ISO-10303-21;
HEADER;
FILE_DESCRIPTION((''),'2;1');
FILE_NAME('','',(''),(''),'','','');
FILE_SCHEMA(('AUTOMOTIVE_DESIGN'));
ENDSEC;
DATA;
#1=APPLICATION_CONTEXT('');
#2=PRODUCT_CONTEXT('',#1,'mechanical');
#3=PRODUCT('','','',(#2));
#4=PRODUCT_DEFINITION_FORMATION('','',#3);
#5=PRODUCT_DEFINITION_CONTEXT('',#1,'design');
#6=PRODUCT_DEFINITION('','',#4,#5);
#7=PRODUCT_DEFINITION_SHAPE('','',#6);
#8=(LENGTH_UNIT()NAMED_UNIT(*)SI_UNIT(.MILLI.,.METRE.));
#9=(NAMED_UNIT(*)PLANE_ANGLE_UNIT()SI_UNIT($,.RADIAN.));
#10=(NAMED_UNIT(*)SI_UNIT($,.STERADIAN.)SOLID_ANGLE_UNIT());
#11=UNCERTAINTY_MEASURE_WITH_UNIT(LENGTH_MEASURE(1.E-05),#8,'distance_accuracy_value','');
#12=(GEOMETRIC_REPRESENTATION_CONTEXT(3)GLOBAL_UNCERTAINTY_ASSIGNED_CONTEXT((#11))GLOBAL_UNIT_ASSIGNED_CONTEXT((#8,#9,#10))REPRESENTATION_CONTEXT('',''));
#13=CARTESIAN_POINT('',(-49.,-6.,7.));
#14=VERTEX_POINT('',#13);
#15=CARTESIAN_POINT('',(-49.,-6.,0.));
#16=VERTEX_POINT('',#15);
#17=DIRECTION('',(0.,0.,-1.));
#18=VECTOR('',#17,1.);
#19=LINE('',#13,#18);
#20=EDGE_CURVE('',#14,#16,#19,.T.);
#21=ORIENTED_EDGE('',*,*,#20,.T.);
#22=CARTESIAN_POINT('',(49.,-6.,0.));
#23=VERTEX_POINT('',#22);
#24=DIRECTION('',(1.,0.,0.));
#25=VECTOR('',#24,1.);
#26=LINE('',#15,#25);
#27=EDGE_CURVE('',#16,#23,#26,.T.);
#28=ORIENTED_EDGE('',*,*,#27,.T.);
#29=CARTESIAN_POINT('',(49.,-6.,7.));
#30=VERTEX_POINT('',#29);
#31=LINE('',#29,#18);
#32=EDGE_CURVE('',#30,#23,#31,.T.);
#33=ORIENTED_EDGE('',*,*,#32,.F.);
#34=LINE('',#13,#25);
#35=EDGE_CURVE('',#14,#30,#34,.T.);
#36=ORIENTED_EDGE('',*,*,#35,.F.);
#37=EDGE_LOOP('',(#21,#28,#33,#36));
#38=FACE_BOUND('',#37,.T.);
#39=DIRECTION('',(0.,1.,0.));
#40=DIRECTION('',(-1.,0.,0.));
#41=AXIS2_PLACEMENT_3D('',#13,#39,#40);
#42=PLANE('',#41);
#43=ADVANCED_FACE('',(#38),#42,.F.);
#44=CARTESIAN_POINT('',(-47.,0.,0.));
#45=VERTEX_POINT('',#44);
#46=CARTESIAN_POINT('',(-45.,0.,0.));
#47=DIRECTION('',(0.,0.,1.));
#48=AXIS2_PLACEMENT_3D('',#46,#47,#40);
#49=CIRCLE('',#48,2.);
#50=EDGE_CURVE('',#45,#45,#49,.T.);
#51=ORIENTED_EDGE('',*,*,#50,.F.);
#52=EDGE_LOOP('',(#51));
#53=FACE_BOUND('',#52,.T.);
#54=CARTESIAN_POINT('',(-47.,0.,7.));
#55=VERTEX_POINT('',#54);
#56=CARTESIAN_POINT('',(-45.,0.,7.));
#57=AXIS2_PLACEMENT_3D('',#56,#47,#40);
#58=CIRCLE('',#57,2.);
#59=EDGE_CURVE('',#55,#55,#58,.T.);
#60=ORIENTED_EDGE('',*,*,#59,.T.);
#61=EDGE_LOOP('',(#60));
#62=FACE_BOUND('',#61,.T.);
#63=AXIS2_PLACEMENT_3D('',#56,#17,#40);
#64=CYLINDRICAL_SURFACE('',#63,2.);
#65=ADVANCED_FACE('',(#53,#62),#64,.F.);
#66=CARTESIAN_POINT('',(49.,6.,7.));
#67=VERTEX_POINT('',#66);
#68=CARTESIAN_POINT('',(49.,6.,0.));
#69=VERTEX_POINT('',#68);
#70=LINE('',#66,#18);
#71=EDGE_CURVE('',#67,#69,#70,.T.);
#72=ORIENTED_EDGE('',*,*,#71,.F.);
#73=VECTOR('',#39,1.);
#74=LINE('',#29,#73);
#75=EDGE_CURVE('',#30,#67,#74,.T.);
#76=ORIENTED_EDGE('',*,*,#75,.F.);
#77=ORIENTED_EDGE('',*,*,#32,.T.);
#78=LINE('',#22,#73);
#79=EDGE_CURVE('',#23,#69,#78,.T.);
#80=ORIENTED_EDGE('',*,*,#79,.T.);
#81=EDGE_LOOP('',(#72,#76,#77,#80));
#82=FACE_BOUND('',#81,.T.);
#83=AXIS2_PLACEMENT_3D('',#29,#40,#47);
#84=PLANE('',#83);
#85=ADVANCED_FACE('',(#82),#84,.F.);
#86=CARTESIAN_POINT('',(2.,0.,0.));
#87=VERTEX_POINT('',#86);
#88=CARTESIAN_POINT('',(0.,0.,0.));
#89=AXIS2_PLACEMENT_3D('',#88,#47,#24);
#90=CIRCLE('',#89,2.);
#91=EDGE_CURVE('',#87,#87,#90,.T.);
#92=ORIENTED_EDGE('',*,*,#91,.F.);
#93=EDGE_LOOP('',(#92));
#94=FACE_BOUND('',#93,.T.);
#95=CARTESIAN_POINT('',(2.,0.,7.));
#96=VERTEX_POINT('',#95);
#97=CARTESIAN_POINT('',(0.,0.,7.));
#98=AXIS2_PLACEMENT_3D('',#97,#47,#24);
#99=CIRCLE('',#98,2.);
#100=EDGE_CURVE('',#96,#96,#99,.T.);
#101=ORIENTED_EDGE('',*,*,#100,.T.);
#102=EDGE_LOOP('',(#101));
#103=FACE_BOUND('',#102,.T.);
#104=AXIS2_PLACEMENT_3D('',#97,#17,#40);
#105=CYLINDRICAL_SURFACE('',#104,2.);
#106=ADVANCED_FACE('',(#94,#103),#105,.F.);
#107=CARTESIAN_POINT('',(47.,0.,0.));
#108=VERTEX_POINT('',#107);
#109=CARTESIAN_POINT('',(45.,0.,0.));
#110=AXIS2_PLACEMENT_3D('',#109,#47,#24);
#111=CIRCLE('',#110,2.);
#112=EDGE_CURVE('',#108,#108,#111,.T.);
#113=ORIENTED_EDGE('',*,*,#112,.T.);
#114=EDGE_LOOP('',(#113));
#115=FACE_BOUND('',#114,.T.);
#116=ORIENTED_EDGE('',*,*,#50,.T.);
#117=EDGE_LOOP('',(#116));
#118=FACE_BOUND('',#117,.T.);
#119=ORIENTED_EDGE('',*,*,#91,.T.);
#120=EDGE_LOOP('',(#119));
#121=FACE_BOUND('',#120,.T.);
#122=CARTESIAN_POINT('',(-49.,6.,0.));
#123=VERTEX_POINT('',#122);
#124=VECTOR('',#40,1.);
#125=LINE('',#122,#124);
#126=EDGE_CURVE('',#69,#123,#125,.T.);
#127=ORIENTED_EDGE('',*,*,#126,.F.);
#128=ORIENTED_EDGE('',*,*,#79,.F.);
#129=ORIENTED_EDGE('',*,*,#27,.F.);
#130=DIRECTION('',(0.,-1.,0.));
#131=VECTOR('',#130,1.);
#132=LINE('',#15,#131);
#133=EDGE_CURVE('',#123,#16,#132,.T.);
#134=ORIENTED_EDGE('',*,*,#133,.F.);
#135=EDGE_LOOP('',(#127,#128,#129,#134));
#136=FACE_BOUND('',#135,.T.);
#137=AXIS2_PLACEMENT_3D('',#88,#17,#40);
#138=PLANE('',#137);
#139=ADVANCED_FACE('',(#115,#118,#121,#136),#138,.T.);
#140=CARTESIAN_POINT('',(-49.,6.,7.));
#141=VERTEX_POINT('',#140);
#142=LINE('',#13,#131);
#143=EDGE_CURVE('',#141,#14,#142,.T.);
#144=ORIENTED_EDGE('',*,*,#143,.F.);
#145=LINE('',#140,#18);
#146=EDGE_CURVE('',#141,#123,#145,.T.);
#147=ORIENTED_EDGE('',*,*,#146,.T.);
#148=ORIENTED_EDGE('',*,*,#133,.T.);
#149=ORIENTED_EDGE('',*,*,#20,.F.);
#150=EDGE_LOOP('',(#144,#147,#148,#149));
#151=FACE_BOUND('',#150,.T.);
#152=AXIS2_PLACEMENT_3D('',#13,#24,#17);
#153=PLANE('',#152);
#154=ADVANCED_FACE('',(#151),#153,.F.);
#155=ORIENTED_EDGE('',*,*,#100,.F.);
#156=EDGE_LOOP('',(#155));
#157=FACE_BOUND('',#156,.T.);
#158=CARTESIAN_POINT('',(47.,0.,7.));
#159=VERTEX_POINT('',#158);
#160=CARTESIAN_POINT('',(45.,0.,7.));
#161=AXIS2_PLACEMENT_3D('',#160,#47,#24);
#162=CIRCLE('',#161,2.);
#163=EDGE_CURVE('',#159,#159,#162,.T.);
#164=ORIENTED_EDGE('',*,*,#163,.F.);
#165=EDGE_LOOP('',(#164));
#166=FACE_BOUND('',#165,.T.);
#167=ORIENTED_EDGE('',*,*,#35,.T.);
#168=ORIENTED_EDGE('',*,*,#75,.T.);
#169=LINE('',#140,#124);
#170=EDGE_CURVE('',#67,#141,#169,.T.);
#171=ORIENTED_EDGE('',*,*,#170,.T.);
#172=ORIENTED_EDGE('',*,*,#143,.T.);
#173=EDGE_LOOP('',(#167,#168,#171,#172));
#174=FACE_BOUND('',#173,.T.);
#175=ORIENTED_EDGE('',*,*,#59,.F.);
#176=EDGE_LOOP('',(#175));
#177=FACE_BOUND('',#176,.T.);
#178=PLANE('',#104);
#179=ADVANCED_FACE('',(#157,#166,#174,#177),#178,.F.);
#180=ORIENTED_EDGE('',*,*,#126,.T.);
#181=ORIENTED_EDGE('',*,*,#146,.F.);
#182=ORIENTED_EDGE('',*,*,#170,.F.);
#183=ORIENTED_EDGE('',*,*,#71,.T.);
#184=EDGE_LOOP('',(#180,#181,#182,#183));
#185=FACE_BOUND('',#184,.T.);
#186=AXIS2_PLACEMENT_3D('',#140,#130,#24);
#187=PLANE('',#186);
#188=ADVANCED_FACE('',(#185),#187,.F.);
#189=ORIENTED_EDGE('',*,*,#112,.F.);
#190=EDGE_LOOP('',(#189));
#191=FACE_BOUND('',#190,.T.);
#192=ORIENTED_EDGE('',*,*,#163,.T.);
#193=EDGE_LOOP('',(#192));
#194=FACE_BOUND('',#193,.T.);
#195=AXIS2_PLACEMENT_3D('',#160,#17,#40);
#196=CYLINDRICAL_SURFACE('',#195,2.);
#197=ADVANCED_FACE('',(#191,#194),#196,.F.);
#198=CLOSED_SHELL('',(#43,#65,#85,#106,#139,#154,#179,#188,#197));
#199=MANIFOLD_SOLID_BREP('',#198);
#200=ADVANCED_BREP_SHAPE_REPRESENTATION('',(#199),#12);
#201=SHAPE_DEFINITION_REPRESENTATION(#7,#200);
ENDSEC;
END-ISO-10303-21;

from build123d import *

# Parameters (mm, degrees)
SKETCH1_W           = 98
SKETCH1_H           = 12
SKETCH1_R           = 2
BOSS_EXTRUDE1_DEPTH = 7


with BuildPart() as part:
    # Sketch1 → Boss-Extrude1 (new body)
    with BuildSketch(Plane.XY):
        Rectangle(SKETCH1_W, SKETCH1_H)
        Circle(SKETCH1_R, mode=Mode.SUBTRACT)
        with Locations((45, 0)):
            Circle(SKETCH1_R, mode=Mode.SUBTRACT)
        with Locations((-45, 0)):
            Circle(SKETCH1_R, mode=Mode.SUBTRACT)
    extrude(amount=BOSS_EXTRUDE1_DEPTH)


solid = part.part
